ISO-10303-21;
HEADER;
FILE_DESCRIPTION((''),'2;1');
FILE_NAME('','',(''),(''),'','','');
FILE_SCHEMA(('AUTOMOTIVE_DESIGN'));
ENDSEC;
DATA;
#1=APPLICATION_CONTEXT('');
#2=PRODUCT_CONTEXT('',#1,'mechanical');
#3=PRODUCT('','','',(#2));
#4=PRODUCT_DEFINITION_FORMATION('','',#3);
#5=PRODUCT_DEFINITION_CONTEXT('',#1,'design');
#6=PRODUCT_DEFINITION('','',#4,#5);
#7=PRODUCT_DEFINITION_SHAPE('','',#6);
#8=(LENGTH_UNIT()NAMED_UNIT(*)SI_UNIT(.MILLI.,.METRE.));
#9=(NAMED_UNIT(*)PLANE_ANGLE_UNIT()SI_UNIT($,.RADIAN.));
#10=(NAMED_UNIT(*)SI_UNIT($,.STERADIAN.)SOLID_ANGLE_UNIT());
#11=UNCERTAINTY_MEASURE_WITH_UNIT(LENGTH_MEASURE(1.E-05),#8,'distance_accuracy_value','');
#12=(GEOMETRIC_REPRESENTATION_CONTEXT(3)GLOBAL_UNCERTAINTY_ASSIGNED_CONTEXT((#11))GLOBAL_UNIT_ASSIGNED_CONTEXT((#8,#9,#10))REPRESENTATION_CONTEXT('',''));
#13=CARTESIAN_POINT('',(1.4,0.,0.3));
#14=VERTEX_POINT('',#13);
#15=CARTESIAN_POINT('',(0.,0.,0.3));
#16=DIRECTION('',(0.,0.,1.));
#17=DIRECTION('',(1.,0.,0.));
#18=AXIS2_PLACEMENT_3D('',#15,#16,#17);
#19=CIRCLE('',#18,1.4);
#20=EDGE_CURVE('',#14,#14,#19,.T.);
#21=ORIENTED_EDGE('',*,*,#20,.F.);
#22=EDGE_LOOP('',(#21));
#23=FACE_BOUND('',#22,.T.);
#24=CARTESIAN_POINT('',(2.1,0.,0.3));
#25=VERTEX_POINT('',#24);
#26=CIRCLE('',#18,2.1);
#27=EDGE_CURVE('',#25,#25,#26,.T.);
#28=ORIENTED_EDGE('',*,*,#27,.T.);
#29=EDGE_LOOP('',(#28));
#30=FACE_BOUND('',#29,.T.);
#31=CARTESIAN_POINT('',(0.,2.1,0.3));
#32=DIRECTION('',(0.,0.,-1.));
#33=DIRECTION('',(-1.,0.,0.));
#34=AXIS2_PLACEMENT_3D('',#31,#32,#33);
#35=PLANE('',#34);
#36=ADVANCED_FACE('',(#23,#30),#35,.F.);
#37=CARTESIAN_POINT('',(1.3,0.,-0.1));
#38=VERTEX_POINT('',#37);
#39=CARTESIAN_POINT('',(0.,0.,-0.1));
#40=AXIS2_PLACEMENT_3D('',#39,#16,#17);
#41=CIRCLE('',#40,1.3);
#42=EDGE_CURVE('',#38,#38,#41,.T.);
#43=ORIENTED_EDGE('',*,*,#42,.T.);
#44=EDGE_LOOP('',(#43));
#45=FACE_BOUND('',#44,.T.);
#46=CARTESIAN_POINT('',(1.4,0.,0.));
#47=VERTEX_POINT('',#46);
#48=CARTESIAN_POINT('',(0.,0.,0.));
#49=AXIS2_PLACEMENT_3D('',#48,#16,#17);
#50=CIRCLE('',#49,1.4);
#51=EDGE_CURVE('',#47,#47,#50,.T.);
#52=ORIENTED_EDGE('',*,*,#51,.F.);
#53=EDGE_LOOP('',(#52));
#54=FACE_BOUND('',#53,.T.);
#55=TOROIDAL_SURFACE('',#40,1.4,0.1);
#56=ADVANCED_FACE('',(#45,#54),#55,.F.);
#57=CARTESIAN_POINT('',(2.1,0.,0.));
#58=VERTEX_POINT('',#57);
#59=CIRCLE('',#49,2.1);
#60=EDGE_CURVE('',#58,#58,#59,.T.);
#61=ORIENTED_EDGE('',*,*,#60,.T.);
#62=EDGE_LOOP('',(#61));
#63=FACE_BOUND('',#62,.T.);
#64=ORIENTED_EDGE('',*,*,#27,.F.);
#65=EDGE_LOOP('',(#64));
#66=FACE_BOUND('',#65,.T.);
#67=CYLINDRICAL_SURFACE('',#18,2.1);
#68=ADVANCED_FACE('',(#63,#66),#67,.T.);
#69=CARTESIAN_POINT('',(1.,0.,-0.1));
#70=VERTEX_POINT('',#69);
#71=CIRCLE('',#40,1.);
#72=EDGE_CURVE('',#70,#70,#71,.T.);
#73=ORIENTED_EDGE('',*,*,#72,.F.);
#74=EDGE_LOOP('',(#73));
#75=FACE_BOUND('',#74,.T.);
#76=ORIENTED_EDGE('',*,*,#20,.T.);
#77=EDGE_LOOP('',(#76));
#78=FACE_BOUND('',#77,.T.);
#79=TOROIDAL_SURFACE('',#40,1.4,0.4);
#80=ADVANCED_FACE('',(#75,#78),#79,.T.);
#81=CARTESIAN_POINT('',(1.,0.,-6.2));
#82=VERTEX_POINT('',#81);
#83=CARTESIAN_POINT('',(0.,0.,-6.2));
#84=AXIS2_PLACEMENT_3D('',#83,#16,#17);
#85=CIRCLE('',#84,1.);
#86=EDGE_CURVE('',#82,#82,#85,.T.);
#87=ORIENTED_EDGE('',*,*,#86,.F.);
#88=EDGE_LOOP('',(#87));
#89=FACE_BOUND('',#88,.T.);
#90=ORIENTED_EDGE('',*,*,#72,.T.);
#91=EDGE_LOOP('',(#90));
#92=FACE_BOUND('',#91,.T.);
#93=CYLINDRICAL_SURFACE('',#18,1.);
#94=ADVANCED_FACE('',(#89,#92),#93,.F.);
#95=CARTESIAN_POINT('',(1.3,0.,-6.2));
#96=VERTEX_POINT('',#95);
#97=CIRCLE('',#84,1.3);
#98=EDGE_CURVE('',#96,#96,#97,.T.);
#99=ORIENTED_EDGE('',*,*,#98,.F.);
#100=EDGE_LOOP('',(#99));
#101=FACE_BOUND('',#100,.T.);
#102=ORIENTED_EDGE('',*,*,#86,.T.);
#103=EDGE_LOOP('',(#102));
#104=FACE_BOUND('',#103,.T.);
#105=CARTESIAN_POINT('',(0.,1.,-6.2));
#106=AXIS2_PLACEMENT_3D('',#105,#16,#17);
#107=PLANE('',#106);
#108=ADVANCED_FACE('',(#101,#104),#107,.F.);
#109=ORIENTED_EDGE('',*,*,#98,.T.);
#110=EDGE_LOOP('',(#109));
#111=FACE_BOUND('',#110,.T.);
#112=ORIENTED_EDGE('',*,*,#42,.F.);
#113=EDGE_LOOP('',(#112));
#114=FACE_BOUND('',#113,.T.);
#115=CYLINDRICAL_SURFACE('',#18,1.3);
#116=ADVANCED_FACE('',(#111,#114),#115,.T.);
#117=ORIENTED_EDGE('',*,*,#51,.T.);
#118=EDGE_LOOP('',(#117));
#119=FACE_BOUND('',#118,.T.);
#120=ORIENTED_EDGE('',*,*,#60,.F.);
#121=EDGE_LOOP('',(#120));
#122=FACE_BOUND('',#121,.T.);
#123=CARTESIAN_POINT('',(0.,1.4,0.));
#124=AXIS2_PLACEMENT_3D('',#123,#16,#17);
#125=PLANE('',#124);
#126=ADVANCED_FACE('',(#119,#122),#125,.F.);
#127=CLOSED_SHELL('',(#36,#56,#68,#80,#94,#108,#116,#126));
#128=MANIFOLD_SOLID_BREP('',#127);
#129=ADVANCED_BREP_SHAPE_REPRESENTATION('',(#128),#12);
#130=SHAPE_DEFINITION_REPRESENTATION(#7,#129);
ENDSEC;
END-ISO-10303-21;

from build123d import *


with BuildPart() as part:
    # Esquisse1 → base (revolve)
    with BuildSketch(Plane(origin=(0, 0, 0), x_dir=(0, 0, -1), z_dir=(1, 0, 0)), mode=Mode.PRIVATE) as base_sk:
        with BuildLine():
            Line((6.2, 1), (6.2, 1.3))
            Line((6.2, 1.3), (0.1, 1.3))
            ThreePointArc((0.1, 1.3), (0.029289322, 1.329289322), (0, 1.4))
            Line((0, 1.4), (0, 2.1))
            Line((0, 2.1), (-0.3, 2.1))
            Line((-0.3, 2.1), (-0.3, 1.4))
            ThreePointArc((-0.3, 1.4), (-0.182842712, 1.117157288), (0.1, 1))
            Line((0.1, 1), (6.2, 1))
        make_face()
    revolve(base_sk.sketch.rotate(Axis((0, 0, 0.3), (0, 0, -1)), 90), axis=Axis((0, 0, 0.3), (0, 0, -1)))


solid = part.part
